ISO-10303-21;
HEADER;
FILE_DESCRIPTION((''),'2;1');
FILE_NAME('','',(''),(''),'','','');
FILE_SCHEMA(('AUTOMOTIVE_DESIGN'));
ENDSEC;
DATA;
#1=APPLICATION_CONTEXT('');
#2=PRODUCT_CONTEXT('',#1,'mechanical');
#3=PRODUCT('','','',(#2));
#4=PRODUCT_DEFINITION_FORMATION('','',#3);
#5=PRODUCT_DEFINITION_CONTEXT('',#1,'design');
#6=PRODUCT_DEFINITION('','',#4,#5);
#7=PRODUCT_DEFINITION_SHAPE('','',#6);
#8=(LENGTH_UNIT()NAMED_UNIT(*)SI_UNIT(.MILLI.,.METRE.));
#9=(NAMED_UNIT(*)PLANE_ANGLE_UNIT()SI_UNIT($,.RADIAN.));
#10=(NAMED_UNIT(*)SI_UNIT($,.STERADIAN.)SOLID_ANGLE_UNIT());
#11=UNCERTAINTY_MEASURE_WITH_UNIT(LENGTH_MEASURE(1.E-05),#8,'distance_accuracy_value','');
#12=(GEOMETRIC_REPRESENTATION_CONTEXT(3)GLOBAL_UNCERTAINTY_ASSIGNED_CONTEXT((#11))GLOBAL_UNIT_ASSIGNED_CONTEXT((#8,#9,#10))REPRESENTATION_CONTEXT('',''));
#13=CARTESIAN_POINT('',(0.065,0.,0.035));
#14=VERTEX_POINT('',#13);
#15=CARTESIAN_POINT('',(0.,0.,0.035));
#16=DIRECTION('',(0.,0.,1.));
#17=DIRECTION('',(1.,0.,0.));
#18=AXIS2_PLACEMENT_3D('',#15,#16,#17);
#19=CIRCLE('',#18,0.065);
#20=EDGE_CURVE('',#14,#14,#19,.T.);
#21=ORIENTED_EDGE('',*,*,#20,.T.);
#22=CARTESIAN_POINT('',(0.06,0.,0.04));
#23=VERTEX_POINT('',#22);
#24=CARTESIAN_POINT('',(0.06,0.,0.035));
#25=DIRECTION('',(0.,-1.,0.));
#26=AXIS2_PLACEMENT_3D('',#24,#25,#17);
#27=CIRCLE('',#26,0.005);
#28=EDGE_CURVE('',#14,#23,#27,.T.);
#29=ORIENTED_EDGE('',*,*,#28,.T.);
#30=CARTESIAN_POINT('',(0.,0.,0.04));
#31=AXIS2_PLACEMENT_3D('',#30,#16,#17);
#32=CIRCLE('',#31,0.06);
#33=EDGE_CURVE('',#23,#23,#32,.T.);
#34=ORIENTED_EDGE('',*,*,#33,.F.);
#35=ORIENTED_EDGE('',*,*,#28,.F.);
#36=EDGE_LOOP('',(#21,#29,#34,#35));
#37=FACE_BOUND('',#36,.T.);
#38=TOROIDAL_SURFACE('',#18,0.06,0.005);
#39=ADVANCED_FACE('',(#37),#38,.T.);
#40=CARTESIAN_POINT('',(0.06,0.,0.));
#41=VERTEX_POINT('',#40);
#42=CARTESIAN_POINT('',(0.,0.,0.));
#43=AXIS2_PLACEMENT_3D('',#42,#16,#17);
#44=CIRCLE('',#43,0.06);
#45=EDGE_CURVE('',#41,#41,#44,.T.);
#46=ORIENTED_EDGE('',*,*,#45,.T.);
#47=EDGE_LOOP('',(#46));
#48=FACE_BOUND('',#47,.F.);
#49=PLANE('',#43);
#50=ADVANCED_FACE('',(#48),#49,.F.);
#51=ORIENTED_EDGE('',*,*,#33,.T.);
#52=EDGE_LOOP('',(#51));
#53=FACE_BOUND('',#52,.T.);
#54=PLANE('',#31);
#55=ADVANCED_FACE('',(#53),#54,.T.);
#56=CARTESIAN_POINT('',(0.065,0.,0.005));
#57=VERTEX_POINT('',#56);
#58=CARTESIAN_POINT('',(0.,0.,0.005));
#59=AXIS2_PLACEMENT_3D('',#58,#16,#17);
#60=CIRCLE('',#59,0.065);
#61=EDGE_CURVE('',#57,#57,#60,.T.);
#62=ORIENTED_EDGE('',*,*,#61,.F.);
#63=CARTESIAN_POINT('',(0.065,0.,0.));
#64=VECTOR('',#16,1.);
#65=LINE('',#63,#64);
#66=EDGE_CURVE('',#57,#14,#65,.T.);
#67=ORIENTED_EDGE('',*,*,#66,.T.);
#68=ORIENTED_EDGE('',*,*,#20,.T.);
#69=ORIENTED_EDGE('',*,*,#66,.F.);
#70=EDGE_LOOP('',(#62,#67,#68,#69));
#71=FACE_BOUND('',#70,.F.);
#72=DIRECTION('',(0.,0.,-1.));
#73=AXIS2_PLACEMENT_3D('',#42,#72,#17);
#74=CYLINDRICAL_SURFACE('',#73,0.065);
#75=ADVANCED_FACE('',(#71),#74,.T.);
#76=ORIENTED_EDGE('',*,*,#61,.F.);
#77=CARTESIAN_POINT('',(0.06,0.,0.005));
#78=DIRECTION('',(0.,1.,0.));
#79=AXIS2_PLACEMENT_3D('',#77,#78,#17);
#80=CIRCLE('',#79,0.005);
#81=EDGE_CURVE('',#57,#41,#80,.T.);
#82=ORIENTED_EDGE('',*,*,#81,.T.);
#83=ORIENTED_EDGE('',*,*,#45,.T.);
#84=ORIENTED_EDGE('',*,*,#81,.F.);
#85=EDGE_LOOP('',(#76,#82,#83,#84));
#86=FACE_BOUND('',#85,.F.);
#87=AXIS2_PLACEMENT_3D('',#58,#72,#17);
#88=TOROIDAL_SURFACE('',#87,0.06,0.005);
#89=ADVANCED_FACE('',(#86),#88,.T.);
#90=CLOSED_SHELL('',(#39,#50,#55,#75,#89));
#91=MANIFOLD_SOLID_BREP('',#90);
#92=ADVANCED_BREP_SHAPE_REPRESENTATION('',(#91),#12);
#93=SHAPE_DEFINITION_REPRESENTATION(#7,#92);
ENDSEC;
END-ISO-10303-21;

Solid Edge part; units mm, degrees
sketch "Sketch1" plane through (0, 0, 0) normal (0, 0, 1) x (1, 0, 0)
  circle A0 centre (0, 0) radius 0.065
  dimension "D1" = 0.13
extrude "Protrusion1" add sketch "Sketch1" along normal blind 0.04
fillet "Verrundung_1" radius 0.005 2 edges at (-0.065, 0, 0.04) (-0.065, 0, 0)
